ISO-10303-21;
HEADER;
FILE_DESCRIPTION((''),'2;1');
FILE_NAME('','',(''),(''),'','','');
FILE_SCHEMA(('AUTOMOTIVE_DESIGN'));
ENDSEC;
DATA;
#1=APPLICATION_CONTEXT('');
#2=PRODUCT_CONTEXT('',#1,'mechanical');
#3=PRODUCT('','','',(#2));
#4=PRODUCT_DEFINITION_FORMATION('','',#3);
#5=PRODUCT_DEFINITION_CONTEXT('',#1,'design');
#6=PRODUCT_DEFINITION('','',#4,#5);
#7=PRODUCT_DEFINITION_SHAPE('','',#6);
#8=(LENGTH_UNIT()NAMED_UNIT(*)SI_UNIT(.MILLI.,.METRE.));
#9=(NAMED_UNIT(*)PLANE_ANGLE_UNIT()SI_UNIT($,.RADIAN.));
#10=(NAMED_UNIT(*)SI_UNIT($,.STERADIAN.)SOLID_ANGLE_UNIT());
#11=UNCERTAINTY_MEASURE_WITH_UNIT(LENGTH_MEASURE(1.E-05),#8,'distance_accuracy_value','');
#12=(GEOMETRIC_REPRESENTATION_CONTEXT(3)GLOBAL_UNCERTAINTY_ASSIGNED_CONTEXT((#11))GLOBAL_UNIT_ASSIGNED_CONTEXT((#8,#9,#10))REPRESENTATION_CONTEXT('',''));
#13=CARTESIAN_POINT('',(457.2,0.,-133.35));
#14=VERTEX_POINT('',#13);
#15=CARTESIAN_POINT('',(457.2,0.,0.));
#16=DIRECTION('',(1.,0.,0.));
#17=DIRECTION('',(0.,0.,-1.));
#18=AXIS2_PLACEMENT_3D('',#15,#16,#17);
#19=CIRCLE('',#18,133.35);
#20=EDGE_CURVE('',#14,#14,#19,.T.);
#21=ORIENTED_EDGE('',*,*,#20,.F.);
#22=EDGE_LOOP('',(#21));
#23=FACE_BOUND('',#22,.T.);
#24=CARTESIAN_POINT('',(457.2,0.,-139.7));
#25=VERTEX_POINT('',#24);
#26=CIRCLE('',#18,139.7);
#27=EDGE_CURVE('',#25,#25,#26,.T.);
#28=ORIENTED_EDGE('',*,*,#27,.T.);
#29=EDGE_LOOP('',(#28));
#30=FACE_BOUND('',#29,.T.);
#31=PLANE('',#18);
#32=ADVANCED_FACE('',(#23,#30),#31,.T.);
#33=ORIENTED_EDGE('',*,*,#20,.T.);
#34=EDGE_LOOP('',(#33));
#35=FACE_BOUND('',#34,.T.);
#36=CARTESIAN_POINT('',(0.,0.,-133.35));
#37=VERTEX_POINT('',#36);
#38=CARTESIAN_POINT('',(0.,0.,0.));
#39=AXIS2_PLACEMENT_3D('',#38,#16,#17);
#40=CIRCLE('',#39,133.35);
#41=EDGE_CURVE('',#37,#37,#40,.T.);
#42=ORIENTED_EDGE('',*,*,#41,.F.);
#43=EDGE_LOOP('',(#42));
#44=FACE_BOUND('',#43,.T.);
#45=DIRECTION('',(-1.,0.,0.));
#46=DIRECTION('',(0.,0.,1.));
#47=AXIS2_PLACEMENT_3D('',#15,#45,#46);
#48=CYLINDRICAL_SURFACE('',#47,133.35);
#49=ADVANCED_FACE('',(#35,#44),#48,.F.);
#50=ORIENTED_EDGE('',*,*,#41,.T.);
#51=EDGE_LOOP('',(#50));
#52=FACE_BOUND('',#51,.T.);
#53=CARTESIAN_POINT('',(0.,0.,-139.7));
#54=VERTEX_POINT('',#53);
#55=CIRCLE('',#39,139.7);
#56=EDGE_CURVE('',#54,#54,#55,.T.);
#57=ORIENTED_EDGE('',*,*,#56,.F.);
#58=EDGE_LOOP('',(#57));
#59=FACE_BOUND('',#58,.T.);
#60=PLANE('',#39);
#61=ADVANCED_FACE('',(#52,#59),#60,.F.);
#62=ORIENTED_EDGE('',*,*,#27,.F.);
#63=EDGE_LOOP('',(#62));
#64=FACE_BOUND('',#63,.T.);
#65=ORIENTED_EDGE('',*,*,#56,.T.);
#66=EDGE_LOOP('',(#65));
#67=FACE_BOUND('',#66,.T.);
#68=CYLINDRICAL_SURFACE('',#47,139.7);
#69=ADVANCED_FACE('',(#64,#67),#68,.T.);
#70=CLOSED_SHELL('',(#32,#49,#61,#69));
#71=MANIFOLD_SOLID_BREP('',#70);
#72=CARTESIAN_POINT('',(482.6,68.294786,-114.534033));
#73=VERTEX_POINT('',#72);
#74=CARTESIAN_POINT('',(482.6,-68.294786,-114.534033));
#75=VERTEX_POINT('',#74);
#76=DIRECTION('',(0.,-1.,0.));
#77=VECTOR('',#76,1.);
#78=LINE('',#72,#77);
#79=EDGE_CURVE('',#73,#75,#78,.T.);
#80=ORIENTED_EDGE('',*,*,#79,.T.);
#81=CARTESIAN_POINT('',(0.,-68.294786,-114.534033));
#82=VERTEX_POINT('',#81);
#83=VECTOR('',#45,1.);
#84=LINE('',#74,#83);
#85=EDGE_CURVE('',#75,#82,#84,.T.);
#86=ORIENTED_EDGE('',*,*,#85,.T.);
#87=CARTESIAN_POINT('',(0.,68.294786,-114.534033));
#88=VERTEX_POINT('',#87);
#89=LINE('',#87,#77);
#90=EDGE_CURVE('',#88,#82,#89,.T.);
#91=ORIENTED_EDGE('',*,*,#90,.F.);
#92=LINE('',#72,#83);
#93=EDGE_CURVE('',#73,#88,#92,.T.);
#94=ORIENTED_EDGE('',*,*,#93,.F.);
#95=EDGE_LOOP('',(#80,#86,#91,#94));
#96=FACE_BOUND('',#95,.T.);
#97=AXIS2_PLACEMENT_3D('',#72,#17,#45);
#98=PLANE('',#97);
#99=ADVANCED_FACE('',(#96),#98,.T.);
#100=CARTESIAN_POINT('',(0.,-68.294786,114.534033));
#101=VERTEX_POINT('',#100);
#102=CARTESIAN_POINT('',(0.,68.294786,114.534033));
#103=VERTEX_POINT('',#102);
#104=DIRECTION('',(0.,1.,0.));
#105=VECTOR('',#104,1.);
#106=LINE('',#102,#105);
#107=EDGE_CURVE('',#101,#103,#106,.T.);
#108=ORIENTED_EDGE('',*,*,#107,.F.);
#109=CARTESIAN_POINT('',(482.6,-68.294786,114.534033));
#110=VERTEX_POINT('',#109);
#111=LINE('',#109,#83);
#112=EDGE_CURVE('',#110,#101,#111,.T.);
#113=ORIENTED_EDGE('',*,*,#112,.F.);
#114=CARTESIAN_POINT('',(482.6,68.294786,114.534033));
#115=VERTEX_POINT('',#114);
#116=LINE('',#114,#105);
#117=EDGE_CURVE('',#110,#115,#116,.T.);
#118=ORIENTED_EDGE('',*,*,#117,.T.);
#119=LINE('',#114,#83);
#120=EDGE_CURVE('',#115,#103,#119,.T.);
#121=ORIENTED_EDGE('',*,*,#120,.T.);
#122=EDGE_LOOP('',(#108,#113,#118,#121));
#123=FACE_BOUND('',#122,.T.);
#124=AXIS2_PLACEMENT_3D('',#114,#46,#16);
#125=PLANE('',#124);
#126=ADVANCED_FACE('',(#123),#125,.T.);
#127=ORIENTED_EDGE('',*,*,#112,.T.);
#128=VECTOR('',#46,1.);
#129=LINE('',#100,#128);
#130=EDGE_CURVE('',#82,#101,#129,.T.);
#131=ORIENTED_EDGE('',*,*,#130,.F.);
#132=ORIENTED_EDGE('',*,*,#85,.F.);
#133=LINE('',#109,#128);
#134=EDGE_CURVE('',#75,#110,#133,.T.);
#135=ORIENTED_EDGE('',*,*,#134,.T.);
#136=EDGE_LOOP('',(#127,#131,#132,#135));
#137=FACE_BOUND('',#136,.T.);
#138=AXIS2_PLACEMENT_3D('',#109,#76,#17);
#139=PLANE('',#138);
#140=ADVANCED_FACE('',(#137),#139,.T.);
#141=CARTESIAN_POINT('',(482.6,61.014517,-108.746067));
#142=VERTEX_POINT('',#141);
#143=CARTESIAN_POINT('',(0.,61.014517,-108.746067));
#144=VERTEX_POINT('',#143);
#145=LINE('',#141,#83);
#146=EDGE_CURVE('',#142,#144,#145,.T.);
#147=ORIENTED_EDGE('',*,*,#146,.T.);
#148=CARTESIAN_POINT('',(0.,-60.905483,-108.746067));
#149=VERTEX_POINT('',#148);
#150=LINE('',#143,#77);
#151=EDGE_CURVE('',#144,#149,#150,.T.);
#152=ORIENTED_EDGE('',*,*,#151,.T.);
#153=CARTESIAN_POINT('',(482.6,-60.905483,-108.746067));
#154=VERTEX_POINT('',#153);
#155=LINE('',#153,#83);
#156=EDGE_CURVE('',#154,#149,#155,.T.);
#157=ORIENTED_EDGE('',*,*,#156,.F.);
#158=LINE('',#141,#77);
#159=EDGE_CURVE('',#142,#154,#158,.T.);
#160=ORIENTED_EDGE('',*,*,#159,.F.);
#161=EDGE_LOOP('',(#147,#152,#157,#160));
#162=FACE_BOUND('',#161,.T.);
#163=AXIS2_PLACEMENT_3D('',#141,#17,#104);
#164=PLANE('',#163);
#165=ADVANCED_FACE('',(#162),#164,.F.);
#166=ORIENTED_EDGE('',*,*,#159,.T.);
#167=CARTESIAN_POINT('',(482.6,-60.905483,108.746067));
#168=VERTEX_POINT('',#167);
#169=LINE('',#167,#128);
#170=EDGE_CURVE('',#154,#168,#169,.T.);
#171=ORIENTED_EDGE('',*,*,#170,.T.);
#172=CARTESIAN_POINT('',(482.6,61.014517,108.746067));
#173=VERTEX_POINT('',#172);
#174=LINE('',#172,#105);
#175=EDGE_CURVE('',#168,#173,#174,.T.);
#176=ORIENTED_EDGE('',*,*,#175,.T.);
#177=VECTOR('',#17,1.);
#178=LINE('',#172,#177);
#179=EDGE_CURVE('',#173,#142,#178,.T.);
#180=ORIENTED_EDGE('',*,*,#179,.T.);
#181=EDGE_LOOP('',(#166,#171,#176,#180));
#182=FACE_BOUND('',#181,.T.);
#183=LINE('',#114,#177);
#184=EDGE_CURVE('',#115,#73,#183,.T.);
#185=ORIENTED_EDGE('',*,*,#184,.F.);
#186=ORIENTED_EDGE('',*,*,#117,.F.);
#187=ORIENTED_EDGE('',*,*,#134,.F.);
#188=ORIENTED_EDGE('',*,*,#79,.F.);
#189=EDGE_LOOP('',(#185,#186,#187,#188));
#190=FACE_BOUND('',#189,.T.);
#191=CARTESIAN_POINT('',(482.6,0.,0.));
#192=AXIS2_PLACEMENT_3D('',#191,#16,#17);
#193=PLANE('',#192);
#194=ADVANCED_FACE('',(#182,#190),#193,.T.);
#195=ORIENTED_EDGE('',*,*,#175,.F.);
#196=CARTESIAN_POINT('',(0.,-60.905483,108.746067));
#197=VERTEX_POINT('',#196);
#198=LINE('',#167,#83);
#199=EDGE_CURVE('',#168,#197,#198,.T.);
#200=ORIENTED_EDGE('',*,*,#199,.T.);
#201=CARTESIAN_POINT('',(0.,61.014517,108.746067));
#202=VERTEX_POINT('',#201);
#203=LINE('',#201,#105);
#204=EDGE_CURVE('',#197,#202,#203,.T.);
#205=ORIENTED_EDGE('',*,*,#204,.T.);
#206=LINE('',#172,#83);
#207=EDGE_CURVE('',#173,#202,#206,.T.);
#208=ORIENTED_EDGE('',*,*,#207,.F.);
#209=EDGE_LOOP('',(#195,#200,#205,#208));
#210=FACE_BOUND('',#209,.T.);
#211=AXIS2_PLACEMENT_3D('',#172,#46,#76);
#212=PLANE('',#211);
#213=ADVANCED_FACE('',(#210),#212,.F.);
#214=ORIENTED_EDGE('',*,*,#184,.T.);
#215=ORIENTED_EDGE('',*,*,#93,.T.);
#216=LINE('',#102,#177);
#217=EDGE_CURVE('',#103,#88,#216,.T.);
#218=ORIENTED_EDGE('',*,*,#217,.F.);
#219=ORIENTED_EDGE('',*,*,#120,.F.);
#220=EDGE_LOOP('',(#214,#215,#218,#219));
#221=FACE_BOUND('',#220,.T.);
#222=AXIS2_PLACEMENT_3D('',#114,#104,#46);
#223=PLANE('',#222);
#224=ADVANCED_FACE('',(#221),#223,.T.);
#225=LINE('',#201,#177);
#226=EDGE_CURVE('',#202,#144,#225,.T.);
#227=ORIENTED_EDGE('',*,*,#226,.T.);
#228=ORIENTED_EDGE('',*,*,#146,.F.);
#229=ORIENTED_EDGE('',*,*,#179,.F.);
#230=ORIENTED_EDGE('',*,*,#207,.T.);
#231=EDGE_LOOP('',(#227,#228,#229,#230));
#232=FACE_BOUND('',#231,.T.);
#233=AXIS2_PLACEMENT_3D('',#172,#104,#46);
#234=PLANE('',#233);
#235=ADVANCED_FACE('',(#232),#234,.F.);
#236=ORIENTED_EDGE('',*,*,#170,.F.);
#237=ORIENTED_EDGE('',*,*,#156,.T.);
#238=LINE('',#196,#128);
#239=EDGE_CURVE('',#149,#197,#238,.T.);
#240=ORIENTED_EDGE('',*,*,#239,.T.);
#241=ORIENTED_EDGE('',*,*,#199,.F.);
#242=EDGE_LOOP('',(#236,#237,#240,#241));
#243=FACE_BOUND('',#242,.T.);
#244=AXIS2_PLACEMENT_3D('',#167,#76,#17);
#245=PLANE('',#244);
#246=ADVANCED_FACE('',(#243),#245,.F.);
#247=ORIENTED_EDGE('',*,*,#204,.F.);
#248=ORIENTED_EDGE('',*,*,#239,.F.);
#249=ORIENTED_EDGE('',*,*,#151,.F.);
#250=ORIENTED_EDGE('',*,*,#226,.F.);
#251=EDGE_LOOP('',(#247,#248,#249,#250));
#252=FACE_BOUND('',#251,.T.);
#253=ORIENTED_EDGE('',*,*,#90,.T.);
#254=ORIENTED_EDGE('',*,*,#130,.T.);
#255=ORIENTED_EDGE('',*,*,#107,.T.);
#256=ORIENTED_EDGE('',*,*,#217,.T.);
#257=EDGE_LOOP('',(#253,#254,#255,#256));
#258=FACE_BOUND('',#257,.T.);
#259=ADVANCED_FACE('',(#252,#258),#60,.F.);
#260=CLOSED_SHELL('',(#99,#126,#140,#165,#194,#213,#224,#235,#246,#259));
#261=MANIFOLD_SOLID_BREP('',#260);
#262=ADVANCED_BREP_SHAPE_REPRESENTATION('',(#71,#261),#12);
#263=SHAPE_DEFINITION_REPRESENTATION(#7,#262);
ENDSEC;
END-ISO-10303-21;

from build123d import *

# Parameters (mm, degrees)
SKETCH1_R           = 139.7
SKETCH1_R_2         = 133.35
BOSS_EXTRUDE1_DEPTH = 457.2
SKETCH2_W           = 229.068065434
SKETCH2_H           = 136.589572802
SKETCH2_W_2         = 217.492134406
SKETCH2_H_2         = 121.92
BOSS_EXTRUDE2_DEPTH = 482.6


with BuildPart() as part:
    # Sketch1 → Boss-Extrude1 (new body)
    with BuildSketch(Plane(origin=(0, 0, 0), x_dir=(0, 0, -1), z_dir=(1, 0, 0))):
        Circle(SKETCH1_R)
        Circle(SKETCH1_R_2, mode=Mode.SUBTRACT)
    extrude(amount=BOSS_EXTRUDE1_DEPTH)


with BuildPart() as body_2:
    # Sketch2 → Boss-Extrude2 (new body)
    with BuildSketch(Plane.ZY):
        Rectangle(SKETCH2_W, SKETCH2_H)
        with Locations((0, 0.054517132)):
            Rectangle(SKETCH2_W_2, SKETCH2_H_2, mode=Mode.SUBTRACT)
    extrude(amount=-BOSS_EXTRUDE2_DEPTH)


solid = Compound([part.part, body_2.part])
